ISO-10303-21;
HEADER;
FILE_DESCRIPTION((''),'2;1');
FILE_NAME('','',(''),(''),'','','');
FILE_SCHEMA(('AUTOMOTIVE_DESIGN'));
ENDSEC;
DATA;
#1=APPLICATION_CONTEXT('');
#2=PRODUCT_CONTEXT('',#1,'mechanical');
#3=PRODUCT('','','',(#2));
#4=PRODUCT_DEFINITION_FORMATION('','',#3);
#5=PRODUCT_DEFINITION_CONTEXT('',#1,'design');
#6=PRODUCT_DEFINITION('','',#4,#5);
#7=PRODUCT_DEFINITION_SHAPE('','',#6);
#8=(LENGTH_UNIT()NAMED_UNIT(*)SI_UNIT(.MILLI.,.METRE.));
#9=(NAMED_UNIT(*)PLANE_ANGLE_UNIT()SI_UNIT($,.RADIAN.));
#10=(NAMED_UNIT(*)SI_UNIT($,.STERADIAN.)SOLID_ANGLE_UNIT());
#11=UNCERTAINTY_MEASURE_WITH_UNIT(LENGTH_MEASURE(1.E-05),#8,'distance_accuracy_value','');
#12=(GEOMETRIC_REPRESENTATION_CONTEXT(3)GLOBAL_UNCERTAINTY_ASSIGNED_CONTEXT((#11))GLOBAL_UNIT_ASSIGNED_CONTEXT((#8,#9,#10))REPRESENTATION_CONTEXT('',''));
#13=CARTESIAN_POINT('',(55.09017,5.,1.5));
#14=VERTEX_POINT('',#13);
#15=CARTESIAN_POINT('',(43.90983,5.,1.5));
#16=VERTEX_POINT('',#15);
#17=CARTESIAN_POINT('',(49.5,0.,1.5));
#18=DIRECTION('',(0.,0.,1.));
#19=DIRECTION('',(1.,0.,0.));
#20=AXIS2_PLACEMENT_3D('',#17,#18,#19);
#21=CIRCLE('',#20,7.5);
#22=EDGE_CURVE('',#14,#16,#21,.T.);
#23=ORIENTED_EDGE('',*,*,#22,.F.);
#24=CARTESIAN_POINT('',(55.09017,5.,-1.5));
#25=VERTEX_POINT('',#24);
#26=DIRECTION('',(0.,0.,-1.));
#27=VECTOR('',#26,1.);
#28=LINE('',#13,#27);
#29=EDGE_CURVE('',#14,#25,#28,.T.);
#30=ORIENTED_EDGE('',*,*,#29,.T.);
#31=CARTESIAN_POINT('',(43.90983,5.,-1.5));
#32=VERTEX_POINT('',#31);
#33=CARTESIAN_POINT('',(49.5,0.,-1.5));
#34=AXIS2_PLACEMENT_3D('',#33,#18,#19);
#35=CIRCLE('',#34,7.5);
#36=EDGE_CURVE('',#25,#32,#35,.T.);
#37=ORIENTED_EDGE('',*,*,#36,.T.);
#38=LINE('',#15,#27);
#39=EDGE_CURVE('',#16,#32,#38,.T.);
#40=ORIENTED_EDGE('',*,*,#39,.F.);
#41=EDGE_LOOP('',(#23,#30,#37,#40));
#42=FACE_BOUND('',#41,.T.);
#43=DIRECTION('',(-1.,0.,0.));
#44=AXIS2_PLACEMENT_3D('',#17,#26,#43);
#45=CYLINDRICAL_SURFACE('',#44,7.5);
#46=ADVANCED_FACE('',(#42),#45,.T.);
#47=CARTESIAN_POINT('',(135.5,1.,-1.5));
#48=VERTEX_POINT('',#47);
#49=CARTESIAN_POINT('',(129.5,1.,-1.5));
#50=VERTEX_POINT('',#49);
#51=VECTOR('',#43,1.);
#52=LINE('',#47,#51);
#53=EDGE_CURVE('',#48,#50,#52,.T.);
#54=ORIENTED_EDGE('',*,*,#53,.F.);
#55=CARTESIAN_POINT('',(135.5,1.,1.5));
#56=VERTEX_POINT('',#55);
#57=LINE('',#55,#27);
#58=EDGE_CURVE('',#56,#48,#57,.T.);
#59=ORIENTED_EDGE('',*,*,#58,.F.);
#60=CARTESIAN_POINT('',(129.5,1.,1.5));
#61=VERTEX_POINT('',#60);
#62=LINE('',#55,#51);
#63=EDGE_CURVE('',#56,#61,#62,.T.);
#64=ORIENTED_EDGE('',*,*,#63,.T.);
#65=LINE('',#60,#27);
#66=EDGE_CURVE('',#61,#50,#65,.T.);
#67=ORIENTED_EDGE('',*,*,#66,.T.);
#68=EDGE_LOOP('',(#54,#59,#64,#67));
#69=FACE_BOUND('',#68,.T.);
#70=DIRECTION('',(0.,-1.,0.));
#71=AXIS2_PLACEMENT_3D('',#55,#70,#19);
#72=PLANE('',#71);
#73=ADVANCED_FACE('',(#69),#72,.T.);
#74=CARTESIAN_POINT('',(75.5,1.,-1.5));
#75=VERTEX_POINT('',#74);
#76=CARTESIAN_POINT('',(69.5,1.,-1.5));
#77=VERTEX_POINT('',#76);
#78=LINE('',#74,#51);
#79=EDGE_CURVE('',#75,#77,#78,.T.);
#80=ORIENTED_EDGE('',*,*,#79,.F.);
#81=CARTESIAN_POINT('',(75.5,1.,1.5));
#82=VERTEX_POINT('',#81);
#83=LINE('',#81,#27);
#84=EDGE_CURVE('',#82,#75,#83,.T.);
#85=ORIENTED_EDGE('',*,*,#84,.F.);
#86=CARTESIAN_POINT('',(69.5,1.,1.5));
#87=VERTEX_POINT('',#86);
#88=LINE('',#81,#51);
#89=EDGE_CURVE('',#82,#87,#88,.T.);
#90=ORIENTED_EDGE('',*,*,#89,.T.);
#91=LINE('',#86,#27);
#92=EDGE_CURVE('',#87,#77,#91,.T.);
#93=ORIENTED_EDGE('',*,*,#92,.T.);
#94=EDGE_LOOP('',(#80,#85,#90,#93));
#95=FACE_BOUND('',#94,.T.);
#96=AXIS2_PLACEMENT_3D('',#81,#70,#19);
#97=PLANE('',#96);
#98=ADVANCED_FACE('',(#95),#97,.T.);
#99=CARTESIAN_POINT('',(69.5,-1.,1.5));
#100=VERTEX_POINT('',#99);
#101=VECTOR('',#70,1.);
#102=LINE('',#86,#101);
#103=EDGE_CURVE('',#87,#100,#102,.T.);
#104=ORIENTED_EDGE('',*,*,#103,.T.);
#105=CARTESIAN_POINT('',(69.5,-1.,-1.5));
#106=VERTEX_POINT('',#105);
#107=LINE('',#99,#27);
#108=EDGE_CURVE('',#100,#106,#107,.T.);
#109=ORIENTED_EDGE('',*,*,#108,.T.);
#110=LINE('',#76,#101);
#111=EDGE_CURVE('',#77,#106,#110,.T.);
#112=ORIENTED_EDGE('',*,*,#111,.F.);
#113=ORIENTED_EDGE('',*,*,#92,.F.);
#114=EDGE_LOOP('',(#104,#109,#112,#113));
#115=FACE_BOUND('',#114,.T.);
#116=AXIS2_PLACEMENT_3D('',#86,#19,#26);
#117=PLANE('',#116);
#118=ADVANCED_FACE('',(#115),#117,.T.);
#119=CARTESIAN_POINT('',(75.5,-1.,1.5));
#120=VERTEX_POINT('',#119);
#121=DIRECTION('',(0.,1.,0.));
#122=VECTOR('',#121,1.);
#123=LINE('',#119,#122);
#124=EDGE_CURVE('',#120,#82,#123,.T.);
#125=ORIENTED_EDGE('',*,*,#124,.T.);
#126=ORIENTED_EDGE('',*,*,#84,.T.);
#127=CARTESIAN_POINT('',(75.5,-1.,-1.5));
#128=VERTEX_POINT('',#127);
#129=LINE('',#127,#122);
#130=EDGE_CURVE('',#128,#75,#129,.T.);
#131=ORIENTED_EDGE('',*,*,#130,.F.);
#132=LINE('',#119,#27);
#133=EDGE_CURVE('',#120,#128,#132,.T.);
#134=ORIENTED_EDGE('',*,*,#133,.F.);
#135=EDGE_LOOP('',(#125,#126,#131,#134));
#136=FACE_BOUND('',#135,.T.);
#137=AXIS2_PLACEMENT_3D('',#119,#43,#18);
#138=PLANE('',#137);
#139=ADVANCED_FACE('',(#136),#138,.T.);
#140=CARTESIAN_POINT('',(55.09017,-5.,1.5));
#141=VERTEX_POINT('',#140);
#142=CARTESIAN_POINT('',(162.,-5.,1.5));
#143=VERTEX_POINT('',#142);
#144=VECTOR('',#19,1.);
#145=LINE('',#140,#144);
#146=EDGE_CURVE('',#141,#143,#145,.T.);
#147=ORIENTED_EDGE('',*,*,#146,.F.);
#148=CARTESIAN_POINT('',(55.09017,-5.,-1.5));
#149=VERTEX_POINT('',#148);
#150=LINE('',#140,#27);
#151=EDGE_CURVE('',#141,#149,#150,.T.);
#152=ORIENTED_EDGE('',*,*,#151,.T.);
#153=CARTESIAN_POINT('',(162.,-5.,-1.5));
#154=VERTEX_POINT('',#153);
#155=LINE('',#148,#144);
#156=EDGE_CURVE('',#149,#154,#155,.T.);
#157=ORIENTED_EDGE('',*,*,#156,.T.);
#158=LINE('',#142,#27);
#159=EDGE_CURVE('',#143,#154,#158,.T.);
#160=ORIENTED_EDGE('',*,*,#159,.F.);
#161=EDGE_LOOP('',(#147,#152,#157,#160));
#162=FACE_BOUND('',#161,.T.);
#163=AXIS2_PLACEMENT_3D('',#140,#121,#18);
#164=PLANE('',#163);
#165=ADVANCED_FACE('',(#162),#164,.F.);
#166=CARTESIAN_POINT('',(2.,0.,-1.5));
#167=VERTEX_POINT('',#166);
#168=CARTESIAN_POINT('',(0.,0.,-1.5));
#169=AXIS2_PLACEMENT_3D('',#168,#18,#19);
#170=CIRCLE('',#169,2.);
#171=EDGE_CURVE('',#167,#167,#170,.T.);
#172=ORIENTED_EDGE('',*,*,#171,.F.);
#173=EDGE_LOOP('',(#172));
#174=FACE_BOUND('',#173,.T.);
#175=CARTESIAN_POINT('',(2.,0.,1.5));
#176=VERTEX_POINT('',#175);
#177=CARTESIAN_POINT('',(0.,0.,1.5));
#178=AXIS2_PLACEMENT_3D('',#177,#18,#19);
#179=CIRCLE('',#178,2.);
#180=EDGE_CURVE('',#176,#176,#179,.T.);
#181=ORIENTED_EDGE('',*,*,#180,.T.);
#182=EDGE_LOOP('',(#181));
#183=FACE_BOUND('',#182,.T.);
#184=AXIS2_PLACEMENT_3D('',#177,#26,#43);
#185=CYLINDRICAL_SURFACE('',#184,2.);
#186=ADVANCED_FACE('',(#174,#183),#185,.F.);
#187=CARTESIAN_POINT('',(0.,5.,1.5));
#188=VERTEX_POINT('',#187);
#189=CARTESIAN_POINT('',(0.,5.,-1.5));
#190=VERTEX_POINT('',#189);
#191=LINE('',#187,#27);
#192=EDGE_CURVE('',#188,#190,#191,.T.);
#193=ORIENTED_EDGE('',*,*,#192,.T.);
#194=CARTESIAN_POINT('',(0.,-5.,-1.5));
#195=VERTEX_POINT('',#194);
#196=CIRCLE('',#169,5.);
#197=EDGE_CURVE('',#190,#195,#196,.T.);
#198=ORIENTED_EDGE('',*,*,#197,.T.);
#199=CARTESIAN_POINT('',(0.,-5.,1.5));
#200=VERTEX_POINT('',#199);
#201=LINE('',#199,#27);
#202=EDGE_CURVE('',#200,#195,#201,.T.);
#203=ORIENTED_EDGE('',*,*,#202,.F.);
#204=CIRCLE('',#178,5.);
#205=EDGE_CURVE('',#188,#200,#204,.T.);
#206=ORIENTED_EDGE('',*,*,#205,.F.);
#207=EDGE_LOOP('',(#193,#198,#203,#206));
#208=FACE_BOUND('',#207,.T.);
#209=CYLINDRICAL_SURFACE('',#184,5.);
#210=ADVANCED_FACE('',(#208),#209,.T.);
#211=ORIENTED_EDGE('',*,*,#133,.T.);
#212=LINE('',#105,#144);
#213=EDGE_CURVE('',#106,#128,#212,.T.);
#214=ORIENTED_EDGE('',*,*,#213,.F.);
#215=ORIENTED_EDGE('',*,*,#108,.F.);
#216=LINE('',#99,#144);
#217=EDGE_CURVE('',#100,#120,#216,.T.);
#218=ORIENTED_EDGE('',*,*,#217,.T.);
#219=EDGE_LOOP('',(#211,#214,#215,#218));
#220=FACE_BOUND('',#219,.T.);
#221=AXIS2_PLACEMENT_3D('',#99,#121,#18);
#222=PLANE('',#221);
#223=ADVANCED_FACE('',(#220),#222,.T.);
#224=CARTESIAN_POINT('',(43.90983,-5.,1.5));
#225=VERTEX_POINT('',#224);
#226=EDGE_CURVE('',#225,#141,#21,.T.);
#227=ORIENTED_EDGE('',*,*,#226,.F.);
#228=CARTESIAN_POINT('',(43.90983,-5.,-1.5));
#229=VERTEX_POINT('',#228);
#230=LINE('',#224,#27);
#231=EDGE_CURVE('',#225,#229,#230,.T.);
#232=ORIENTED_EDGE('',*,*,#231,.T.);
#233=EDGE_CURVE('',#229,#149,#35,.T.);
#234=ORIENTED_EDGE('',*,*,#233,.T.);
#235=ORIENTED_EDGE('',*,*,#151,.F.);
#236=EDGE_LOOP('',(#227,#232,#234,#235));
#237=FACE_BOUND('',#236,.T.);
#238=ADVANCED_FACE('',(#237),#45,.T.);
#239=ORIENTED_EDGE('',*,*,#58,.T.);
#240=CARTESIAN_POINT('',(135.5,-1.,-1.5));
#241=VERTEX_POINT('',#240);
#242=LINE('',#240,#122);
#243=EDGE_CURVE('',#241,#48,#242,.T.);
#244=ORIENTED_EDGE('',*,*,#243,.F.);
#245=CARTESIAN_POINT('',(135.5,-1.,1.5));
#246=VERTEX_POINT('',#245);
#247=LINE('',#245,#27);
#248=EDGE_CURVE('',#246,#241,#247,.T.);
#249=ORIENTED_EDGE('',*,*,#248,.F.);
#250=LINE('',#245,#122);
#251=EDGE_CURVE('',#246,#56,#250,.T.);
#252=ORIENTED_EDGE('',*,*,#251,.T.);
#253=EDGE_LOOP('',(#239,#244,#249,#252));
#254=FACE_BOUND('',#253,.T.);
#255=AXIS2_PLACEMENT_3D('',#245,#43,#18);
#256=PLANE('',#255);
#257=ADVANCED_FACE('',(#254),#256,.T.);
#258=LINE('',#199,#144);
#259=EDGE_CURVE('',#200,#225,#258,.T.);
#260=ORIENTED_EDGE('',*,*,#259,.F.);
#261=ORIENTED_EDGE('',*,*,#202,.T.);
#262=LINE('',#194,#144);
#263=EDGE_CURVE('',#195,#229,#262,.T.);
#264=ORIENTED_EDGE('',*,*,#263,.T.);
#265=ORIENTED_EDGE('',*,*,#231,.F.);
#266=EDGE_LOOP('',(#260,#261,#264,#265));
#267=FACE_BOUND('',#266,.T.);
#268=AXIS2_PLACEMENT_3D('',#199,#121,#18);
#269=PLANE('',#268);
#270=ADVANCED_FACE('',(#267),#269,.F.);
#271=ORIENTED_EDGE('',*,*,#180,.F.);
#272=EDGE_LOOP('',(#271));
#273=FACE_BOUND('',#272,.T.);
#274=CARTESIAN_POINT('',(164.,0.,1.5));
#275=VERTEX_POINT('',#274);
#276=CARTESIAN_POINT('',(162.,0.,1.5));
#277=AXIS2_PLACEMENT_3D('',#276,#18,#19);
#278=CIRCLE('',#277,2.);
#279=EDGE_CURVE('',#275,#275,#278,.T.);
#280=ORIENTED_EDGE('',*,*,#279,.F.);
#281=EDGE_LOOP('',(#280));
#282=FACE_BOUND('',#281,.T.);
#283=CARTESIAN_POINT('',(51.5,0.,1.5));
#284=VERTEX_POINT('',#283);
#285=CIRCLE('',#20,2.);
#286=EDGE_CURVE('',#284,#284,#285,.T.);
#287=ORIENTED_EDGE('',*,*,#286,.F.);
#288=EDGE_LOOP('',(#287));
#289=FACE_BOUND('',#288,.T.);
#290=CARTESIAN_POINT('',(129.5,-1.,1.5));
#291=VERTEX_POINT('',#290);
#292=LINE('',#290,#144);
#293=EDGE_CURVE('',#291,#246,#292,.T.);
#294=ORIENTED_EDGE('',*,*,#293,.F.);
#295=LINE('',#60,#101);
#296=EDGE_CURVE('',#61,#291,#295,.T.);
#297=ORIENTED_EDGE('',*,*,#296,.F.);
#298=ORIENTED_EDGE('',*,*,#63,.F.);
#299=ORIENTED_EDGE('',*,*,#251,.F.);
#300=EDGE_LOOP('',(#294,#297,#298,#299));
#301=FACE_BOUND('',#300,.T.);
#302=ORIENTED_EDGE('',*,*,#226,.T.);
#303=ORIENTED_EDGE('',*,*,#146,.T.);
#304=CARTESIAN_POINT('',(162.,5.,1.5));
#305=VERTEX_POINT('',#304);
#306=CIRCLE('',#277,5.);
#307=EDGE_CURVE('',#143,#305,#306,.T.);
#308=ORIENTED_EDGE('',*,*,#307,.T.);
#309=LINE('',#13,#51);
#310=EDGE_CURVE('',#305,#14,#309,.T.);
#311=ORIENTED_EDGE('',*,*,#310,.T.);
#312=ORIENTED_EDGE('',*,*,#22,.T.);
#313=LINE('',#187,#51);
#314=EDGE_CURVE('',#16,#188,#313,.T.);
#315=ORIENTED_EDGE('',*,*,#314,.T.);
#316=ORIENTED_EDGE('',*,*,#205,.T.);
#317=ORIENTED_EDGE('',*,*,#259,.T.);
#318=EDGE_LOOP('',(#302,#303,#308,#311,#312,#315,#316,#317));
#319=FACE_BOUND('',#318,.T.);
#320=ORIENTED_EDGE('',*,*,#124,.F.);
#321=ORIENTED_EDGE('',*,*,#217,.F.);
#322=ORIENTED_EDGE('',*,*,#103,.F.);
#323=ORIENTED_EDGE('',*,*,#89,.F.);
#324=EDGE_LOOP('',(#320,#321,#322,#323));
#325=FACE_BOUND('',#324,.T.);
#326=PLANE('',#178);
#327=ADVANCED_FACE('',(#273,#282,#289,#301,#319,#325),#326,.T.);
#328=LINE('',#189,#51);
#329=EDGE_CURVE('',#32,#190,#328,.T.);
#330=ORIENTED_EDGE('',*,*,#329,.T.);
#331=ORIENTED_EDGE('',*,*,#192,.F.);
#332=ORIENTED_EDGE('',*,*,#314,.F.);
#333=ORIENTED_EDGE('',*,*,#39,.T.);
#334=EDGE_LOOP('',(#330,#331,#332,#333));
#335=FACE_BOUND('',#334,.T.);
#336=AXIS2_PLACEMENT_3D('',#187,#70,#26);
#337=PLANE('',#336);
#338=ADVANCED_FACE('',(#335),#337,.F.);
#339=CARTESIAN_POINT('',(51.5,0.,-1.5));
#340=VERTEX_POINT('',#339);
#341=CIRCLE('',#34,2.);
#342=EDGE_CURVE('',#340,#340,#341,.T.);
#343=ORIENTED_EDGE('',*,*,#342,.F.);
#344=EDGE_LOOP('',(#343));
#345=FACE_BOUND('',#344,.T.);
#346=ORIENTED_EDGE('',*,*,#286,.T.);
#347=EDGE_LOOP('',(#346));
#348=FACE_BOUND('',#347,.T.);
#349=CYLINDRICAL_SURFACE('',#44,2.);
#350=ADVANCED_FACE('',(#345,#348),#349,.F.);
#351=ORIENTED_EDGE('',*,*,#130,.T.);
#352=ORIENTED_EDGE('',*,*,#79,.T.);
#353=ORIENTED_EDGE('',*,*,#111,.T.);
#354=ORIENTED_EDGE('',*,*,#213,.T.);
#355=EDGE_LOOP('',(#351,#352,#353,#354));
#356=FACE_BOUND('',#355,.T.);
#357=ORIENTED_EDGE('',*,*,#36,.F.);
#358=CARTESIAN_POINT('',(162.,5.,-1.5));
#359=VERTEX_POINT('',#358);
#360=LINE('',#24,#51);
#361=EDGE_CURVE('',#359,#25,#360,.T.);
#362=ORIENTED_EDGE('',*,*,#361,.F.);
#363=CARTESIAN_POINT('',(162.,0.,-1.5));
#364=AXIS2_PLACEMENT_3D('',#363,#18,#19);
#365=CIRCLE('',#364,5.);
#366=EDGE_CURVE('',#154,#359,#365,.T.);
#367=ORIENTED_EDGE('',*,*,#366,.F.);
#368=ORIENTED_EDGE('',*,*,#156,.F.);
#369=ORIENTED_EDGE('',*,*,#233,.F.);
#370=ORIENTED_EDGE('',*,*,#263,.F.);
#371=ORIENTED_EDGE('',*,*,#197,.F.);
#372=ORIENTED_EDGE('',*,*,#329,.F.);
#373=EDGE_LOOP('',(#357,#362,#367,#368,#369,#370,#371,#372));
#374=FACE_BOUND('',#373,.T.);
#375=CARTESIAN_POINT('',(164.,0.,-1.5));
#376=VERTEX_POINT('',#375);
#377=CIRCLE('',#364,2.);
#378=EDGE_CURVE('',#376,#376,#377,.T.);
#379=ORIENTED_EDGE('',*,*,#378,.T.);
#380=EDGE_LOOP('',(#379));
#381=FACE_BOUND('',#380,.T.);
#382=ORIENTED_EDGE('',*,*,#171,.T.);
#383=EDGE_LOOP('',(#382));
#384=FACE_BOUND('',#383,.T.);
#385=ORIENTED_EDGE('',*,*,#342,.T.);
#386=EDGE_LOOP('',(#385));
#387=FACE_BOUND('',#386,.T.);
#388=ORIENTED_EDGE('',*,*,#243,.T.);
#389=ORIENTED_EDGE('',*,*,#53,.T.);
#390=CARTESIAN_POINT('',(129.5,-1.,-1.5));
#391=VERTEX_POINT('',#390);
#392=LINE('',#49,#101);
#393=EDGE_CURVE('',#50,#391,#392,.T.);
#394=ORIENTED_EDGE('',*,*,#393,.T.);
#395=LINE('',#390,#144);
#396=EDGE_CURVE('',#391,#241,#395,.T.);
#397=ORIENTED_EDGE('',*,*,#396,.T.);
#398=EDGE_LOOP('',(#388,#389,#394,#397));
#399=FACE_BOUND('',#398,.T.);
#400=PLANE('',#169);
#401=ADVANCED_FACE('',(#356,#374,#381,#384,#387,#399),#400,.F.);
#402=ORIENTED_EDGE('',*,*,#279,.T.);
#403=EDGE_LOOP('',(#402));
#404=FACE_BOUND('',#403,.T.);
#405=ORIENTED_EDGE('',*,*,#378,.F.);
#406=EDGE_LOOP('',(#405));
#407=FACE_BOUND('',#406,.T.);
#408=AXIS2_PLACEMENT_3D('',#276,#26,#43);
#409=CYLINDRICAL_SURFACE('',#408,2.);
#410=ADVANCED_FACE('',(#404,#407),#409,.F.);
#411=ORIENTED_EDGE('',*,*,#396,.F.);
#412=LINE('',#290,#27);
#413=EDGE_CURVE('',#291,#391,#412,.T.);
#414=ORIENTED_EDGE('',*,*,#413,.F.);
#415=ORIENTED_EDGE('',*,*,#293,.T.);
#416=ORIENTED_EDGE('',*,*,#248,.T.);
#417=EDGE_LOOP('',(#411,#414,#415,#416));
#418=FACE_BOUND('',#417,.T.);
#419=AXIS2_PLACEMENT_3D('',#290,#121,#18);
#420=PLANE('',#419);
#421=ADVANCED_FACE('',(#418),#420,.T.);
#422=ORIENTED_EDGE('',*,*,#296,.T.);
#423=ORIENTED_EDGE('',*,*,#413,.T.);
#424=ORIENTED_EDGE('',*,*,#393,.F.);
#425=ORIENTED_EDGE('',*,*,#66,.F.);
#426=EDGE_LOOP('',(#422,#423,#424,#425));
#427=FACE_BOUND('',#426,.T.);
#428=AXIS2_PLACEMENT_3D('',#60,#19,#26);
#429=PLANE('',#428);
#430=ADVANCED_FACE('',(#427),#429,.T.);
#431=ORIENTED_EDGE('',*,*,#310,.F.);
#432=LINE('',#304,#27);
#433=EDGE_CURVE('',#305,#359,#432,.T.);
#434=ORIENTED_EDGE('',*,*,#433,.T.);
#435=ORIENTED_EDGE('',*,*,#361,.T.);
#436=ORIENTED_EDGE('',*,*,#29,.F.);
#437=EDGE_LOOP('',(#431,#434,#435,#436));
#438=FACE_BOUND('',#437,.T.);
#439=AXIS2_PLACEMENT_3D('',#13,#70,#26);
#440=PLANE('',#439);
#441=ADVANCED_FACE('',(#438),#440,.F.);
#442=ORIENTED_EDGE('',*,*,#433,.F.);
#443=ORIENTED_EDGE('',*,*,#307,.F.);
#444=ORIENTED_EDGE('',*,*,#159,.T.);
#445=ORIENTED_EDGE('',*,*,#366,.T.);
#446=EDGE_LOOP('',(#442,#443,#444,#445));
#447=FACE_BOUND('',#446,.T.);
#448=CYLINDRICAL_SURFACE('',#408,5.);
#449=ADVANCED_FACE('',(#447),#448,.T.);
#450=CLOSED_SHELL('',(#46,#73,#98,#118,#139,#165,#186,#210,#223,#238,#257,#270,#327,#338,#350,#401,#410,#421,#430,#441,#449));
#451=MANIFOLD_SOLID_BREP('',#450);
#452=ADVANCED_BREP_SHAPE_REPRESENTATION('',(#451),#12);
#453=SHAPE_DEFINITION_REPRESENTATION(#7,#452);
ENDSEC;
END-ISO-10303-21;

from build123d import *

# Parameters (mm, degrees)
SKETCH_3_R      = 2
SKETCH_3_W      = 6
SKETCH_3_H      = 2
EXTRUDE_1_DEPTH = 1.5


with BuildPart() as part:
    # 草图3 → 凸台-拉伸1 (new, symmetric)
    with BuildSketch(Plane.XY):
        with BuildLine():
            Line((0, 5), (43.909830056, 5))
            ThreePointArc((43.909830056, 5), (49.5, 7.5), (55.090169944, 5))
            Line((55.090169944, 5), (162, 5))
            ThreePointArc((162, 5), (167, 0), (162, -5))
            Line((162, -5), (55.090169944, -5))
            ThreePointArc((55.090169944, -5), (49.5, -7.5), (43.909830056, -5))
            Line((43.909830056, -5), (0, -5))
            ThreePointArc((0, -5), (-5, 0), (0, 5))
        make_face()
        with Locations((162, 0)):
            Circle(SKETCH_3_R, mode=Mode.SUBTRACT)
        Circle(SKETCH_3_R, mode=Mode.SUBTRACT)
        with Locations((49.5, 0)):
            Circle(SKETCH_3_R, mode=Mode.SUBTRACT)
        with Locations((72.5, 0)):
            Rectangle(SKETCH_3_W, SKETCH_3_H, mode=Mode.SUBTRACT)
        with Locations((132.5, 0)):
            Rectangle(SKETCH_3_W, SKETCH_3_H, mode=Mode.SUBTRACT)
    extrude(amount=EXTRUDE_1_DEPTH, both=True)


solid = part.part
